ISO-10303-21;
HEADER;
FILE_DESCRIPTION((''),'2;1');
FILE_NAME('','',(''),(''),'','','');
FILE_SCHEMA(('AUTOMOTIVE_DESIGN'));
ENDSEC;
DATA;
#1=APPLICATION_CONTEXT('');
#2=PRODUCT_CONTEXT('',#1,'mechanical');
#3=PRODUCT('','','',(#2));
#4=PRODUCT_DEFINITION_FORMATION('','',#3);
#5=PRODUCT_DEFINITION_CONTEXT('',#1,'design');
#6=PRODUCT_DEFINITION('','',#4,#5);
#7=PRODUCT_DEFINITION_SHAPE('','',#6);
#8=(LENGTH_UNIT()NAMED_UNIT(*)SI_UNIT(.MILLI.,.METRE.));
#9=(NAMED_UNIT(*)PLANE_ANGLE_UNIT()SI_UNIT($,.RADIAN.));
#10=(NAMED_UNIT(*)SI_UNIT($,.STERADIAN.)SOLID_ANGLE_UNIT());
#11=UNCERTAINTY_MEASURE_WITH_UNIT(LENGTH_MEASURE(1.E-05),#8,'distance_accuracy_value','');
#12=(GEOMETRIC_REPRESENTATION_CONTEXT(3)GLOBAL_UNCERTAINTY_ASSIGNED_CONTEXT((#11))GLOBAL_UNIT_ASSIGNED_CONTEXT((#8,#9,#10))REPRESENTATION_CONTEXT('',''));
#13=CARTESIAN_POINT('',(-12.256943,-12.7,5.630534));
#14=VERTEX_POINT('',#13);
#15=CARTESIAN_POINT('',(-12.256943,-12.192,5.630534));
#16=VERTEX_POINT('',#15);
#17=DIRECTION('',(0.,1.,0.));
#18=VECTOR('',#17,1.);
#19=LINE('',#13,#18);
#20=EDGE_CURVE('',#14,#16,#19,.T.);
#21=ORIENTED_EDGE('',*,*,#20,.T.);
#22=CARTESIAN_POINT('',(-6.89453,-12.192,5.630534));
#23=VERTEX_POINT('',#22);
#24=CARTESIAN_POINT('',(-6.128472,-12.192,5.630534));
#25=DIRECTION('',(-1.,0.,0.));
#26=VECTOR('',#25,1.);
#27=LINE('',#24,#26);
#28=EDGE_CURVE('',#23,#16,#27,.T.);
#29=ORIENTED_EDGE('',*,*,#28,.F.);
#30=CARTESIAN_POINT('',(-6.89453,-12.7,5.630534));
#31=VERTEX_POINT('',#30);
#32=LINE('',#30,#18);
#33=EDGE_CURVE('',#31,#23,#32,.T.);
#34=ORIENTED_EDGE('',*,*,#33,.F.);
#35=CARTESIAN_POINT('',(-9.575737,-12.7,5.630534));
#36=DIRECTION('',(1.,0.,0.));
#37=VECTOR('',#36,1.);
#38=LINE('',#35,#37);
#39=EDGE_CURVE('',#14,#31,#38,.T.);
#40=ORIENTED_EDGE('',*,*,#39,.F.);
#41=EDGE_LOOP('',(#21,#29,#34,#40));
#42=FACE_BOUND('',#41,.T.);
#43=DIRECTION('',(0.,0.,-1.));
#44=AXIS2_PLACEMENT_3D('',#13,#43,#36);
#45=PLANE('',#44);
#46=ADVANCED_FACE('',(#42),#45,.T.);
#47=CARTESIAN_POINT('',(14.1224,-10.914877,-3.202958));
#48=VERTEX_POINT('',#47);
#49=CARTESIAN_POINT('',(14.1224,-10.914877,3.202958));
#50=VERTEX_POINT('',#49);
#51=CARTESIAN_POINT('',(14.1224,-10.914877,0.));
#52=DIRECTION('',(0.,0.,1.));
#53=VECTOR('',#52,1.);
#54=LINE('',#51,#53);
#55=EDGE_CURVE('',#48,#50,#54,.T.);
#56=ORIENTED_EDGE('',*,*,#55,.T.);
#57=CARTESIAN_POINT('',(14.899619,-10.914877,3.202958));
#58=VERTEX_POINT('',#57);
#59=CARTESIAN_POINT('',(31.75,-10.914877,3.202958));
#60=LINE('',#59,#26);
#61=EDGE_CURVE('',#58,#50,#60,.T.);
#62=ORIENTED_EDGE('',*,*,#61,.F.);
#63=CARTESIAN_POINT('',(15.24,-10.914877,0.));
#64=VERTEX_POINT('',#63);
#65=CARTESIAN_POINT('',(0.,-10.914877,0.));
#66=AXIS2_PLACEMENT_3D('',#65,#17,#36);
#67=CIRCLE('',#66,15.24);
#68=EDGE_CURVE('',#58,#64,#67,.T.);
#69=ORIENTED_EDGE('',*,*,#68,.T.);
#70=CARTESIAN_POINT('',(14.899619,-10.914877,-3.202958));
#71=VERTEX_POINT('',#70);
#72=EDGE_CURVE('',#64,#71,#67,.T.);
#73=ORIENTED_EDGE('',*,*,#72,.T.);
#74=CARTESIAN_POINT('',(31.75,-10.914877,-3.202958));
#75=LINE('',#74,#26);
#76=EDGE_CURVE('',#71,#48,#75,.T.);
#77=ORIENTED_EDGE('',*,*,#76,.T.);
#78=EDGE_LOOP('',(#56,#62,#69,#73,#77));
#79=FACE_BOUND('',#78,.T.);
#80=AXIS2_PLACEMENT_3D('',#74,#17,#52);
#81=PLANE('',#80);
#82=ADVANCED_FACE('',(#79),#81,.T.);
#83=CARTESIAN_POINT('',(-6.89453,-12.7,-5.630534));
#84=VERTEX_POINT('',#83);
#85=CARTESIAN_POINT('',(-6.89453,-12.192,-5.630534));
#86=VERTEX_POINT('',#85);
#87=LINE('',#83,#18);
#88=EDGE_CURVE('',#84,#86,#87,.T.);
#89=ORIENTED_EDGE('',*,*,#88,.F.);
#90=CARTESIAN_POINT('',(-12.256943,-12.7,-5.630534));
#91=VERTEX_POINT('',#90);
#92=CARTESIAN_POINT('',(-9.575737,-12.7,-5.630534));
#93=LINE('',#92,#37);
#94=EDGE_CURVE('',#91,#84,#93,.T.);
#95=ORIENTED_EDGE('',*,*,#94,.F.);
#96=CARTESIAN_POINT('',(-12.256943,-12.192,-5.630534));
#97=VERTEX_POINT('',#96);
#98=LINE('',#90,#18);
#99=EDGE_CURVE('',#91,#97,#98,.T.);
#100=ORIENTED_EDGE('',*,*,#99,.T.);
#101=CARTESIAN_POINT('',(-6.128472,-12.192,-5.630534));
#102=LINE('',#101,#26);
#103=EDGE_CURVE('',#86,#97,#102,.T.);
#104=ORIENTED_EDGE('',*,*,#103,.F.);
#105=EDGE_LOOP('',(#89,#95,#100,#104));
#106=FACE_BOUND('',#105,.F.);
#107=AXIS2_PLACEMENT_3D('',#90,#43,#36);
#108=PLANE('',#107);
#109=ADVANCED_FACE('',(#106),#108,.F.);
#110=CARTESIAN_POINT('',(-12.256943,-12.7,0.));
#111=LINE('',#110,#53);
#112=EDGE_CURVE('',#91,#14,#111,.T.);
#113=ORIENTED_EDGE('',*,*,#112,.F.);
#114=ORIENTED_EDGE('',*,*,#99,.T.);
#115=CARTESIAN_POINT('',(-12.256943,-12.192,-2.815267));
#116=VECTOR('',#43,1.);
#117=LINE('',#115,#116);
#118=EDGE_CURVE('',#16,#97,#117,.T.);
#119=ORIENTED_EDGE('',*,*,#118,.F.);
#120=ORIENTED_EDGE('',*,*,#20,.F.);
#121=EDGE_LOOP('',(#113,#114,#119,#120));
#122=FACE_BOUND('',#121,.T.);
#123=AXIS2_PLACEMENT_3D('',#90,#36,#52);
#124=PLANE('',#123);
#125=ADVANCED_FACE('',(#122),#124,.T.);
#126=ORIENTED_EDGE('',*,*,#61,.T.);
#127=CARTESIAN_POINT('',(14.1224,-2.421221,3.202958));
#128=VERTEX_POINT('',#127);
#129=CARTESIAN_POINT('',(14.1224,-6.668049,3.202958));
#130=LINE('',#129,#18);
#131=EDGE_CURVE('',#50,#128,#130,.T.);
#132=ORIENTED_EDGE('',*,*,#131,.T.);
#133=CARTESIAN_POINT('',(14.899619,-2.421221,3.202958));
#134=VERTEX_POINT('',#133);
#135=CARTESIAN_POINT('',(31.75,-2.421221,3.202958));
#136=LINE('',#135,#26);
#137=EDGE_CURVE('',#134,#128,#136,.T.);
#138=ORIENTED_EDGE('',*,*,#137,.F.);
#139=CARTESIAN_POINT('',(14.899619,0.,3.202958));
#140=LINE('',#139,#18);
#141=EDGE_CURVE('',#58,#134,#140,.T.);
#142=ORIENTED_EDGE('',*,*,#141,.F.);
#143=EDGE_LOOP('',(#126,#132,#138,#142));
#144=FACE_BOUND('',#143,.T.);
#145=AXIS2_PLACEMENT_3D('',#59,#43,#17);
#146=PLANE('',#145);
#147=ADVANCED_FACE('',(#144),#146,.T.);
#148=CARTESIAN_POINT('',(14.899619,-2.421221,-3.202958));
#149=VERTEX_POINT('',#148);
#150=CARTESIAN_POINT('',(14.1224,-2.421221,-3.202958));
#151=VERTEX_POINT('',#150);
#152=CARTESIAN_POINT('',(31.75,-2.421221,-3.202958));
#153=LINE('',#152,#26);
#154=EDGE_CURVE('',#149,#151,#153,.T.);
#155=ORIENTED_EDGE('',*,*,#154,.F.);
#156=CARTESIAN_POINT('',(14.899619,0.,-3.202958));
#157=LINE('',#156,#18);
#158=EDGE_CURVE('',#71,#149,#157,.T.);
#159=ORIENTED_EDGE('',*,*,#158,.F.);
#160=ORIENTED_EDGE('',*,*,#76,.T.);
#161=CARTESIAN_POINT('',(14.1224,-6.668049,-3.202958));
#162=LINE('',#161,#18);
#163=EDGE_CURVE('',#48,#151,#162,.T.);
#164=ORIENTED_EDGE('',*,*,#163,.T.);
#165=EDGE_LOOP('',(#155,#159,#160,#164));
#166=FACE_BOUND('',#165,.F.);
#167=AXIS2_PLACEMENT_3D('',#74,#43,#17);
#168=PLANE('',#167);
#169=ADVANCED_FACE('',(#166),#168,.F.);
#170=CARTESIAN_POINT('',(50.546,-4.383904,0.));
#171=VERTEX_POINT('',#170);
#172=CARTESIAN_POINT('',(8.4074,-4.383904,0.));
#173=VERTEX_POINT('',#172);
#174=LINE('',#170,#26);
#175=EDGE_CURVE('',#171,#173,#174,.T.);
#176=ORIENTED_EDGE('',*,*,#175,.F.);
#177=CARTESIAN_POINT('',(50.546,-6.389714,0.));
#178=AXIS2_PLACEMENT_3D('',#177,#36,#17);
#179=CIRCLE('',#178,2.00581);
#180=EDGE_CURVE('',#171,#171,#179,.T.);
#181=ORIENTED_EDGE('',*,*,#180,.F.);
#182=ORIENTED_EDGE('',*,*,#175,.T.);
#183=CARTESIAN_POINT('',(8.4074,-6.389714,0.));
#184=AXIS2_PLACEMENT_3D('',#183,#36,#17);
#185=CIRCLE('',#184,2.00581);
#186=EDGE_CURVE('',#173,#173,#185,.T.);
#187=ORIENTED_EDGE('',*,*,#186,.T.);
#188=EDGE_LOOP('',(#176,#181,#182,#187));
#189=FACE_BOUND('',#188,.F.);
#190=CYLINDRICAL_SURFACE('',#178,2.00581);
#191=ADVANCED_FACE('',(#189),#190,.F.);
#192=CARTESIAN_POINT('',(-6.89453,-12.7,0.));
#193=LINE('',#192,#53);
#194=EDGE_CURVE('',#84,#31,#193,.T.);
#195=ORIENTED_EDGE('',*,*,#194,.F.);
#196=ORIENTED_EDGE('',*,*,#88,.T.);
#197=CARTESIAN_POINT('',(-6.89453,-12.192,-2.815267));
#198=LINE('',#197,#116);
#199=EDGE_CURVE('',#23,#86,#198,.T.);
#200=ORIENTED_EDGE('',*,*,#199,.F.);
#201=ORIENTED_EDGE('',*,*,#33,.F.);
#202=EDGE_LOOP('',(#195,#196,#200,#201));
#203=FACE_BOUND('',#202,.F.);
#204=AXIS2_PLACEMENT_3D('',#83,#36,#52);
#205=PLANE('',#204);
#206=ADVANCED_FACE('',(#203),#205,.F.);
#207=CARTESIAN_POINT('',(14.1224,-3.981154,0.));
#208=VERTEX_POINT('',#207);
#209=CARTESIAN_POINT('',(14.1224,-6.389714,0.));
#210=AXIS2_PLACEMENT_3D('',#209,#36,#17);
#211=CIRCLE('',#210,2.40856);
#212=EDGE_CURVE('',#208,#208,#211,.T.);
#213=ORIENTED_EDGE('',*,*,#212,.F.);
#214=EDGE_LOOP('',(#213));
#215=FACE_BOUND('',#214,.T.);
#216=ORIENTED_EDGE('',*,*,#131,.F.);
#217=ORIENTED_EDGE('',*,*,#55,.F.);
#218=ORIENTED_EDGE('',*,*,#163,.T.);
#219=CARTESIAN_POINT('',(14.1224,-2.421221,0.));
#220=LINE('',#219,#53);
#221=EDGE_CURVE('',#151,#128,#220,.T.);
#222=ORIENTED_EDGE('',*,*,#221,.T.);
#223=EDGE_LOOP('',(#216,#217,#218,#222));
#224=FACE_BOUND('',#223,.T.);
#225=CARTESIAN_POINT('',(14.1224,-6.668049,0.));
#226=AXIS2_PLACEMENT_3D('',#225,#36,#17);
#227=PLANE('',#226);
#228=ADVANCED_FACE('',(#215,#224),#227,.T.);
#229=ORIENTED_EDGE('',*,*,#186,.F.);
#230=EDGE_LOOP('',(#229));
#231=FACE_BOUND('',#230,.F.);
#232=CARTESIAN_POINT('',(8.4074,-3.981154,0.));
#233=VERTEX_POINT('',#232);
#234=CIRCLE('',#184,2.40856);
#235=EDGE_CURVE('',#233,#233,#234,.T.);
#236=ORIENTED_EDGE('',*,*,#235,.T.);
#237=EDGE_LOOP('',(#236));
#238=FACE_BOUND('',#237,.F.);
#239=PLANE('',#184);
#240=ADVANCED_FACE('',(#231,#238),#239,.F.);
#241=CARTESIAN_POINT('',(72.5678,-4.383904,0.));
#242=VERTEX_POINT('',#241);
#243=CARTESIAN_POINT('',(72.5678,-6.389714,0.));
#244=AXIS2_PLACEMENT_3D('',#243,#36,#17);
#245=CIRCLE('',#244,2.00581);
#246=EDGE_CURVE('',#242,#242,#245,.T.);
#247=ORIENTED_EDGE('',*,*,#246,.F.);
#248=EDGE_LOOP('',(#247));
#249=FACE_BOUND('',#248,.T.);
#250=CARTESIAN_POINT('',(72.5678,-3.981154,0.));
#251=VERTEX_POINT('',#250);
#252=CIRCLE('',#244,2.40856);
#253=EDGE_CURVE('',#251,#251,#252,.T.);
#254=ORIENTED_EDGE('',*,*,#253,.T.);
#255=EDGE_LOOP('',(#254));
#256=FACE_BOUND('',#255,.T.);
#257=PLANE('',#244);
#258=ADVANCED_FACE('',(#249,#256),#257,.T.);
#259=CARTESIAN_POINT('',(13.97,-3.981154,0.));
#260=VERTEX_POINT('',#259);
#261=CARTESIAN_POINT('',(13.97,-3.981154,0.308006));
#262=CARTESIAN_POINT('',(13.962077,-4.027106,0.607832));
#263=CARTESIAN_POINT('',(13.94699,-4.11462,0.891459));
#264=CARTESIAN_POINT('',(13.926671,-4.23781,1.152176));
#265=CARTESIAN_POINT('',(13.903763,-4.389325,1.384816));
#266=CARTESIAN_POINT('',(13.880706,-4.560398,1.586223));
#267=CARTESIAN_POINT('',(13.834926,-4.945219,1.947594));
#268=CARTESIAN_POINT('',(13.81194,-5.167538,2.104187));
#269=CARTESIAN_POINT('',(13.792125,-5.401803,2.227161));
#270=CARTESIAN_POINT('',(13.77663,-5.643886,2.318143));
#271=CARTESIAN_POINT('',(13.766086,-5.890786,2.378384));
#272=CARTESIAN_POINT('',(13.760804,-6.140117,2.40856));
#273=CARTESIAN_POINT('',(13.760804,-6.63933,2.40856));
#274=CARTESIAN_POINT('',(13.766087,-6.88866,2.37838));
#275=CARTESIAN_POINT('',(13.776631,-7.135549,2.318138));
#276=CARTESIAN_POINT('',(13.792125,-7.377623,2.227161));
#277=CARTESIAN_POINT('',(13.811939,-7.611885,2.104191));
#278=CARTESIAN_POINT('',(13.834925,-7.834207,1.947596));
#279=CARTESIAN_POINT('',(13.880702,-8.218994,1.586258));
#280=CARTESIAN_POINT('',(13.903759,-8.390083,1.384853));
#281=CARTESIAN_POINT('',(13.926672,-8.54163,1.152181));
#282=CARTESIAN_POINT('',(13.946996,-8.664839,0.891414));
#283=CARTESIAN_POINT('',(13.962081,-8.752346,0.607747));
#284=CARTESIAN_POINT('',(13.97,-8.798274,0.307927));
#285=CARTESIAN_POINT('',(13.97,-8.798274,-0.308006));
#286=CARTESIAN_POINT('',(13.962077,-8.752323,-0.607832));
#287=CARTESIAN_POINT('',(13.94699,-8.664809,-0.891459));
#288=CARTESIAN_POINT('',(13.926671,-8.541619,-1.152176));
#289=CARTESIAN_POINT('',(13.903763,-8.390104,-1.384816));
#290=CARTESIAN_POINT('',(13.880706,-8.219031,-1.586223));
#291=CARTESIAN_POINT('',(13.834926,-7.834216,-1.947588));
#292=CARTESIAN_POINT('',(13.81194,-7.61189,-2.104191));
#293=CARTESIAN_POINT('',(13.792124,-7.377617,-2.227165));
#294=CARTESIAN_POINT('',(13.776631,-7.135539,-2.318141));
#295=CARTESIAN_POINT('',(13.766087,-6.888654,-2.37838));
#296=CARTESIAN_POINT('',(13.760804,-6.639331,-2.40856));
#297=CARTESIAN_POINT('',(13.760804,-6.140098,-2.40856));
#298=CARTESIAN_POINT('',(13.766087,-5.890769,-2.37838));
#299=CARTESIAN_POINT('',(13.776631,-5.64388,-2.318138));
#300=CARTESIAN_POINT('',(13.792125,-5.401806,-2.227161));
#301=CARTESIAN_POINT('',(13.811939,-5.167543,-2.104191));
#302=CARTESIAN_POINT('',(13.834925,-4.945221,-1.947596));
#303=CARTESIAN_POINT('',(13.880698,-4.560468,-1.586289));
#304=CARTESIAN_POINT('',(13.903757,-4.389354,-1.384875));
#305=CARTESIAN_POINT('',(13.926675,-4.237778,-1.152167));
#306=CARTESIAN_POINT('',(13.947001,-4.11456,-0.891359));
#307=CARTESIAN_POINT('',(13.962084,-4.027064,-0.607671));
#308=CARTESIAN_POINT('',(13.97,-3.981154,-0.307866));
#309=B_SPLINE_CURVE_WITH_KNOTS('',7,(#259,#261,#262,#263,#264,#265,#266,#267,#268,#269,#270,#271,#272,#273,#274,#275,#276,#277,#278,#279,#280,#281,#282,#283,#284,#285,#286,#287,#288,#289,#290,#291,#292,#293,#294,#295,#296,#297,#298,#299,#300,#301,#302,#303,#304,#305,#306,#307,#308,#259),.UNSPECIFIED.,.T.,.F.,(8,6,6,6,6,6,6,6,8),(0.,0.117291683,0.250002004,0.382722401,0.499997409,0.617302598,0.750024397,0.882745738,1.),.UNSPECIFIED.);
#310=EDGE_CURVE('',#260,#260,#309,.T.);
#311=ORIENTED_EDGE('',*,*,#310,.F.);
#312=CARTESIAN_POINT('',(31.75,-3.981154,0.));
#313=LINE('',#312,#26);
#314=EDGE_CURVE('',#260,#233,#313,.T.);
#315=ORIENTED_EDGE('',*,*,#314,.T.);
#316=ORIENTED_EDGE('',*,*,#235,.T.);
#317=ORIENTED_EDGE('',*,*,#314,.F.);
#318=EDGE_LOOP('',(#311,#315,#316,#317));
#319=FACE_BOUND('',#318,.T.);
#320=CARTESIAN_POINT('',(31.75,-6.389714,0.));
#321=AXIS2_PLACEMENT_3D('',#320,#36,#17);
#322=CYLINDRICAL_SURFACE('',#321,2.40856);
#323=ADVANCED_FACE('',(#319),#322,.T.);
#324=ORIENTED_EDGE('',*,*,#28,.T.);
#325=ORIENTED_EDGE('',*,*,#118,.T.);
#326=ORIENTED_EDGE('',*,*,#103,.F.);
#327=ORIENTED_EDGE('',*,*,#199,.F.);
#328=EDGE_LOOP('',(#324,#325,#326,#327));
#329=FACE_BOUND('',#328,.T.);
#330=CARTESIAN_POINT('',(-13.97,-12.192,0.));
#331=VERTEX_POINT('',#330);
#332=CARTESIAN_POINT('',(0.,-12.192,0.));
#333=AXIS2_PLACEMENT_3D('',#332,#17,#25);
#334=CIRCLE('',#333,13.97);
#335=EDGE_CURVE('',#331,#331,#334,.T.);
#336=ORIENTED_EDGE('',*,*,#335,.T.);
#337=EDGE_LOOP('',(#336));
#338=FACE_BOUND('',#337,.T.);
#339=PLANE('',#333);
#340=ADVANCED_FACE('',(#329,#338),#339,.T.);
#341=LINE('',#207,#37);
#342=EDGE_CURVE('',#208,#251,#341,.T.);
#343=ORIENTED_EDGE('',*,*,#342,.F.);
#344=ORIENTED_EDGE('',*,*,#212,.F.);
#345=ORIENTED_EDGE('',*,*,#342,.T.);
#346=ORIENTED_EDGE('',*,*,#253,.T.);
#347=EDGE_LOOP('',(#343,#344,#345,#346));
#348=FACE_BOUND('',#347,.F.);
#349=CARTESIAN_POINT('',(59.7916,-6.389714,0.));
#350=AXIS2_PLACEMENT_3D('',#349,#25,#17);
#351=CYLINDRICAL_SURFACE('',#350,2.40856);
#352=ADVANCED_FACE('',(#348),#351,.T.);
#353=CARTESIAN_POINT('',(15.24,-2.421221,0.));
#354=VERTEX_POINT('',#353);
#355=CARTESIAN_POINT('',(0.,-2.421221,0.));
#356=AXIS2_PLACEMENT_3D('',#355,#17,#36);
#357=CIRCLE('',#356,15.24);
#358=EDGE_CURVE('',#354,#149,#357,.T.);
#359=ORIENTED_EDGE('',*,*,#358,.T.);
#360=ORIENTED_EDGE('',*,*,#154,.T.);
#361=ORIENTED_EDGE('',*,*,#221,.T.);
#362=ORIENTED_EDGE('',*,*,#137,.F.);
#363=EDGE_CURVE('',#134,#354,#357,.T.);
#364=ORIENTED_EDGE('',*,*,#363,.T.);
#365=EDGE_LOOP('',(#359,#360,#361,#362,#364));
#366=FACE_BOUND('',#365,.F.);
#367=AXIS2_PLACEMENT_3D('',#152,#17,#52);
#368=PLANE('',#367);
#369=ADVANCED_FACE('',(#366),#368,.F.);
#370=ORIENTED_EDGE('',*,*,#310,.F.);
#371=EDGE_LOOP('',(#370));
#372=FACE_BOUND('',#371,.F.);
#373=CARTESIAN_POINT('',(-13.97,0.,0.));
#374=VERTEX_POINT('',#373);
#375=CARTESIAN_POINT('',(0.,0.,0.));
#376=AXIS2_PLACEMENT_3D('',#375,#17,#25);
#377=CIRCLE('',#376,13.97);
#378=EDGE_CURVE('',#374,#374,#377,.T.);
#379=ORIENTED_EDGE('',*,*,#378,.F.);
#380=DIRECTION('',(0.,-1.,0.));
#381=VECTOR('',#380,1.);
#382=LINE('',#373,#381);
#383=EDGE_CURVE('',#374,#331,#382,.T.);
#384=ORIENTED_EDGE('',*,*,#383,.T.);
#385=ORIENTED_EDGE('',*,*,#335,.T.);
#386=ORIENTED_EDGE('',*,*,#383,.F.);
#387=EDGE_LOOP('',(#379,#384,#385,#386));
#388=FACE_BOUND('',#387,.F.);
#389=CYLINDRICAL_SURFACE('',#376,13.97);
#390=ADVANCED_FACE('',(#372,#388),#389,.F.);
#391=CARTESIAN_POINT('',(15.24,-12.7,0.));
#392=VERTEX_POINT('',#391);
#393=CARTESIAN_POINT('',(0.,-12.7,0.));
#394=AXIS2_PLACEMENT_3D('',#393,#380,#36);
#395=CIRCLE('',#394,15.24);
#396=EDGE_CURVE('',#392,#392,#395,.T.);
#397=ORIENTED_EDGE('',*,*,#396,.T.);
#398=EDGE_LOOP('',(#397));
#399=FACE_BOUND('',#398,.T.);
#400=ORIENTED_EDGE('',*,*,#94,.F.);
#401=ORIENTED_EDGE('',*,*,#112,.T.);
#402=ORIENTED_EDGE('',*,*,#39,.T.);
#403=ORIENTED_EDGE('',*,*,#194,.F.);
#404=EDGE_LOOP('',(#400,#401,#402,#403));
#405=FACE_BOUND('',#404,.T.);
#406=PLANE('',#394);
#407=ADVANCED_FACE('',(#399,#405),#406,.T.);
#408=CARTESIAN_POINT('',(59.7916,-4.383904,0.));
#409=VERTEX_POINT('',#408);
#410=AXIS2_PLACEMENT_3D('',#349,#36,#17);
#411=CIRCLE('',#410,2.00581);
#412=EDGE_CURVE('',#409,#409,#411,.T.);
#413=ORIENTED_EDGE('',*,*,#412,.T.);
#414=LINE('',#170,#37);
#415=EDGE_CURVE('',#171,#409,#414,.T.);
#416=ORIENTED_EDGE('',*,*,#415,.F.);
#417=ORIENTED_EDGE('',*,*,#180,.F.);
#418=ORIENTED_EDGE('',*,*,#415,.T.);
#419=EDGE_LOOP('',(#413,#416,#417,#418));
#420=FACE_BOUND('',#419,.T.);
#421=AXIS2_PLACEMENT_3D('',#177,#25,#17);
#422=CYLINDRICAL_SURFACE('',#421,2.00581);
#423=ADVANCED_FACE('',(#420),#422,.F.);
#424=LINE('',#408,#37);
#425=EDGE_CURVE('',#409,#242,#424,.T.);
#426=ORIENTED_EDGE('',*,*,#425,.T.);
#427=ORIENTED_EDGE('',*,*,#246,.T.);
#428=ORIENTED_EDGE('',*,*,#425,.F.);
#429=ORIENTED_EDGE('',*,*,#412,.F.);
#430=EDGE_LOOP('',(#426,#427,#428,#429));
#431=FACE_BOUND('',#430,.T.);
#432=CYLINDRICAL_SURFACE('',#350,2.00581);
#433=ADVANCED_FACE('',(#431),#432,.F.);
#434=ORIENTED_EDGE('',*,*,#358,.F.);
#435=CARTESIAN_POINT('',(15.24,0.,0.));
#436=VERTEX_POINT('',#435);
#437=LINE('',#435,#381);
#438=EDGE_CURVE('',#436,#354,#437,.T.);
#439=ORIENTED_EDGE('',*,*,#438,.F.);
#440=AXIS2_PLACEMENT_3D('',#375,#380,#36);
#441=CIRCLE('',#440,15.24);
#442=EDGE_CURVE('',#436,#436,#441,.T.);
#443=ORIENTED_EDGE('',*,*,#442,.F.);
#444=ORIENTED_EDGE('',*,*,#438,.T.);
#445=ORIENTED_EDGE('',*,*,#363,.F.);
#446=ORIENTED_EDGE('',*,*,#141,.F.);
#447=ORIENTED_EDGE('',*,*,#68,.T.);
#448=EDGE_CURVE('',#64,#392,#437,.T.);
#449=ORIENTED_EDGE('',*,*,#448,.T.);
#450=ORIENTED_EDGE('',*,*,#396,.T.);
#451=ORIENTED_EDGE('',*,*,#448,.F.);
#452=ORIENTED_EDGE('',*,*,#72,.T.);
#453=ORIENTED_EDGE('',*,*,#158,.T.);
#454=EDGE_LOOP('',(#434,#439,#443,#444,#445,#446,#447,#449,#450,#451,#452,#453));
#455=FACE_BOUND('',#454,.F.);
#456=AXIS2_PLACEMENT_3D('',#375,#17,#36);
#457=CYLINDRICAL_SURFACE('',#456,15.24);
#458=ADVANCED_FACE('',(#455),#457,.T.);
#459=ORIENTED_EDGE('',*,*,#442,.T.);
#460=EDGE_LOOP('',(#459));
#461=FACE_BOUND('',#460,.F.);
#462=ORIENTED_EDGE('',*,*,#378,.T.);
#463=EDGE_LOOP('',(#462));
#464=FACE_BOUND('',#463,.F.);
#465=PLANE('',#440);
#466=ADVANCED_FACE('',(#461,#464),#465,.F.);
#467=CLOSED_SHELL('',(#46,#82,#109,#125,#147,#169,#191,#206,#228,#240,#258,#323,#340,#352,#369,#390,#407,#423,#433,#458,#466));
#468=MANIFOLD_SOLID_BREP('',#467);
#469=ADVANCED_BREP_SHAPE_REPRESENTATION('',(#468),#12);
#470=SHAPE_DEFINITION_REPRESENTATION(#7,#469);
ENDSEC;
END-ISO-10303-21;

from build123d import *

# Parameters (mm, degrees)
F0_R      = 15.24
F1_DEPTH  = 12.7
F2_R      = 13.97
F3_DEPTH  = 12.192
F5_W      = 8.4936562926
F5_H      = 6.4059169963
F6_DEPTH  = 17.6276
F7_R      = 2.4085601445
F8_DEPTH  = 23.3426
F9_DEPTH  = 18.796
F10_R     = 2.0058104165
F11_DEPTH = 43.6118
F12_R     = 2.4085601445
F12_R_2   = 2.0058104165
F13_DEPTH = 25.4
F14_DEPTH = 16.1544
F15_DEPTH = 12.7762
F16_W     = 5.3624128923
F16_H     = 11.2610673532
F17_DEPTH = 25.4


with BuildPart() as f1:
    # F0 (on Front) → F1 (new body)
    with BuildSketch(Plane.XZ):
        Circle(F0_R)
    extrude(amount=F1_DEPTH)

    # F2 (on face) → F3 (cut)
    with BuildSketch(Plane(origin=(0, 0, 0), x_dir=(-1, 0, 0), z_dir=(0, 1, 0))):
        Circle(F2_R)
    extrude(amount=-F3_DEPTH, mode=Mode.SUBTRACT)

    # F5 (on offset) → F6 (cut)
    with BuildSketch(Plane.YZ.offset(31.75)):
        with Locations((-6.6680489108, 0)):
            Rectangle(F5_W, F5_H)
    extrude(amount=-F6_DEPTH, mode=Mode.SUBTRACT)

    # F7 (on offset) → F8 (join)
    with BuildSketch(Plane.YZ.offset(31.75)):
        with Locations((-6.3897143118, 0)):
            Circle(F7_R)
    extrude(amount=-F8_DEPTH)

    # F9 (add): a face of the model
    f9_faces = [f1.faces().sort_by_distance(p)[0] for p in [
        (31.75, -6.3897143118, 0),
    ]]
    extrude(f9_faces, amount=F9_DEPTH)

    # F10 (on face) → F11 (cut)
    with BuildSketch(Plane.YZ.offset(50.546)):
        with Locations((-6.3897143118, 0)):
            Circle(F10_R)
    extrude(amount=-F11_DEPTH, mode=Mode.SUBTRACT)

    # F12 (on face) → F13 (join)
    with BuildSketch(Plane.YZ.offset(50.546)):
        with Locations((-6.3897143118, 0)):
            Circle(F12_R)
        with Locations((-6.3897143118, 0)):
            Circle(F12_R_2, mode=Mode.SUBTRACT)
    extrude(amount=F13_DEPTH)

    # F14 (cut): a face of the model
    f14_faces = [f1.faces().sort_by_distance(p)[0] for p in [
        (75.946, -8.7301500879, 0),
    ]]
    extrude(f14_faces, amount=-F14_DEPTH, mode=Mode.SUBTRACT)

    # F15 (add): a face of the model
    f15_faces = [f1.faces().sort_by_distance(p)[0] for p in [
        (59.7916, -8.7301500879, 0),
    ]]
    extrude(f15_faces, amount=F15_DEPTH)

    # F16 (on face) → F17 (cut)
    with BuildSketch(Plane.XZ.offset(12.7)):
        with Locations((-9.5757367089, 0)):
            Rectangle(F16_W, F16_H)
    extrude(amount=-F17_DEPTH, mode=Mode.SUBTRACT)


solid = f1.part
